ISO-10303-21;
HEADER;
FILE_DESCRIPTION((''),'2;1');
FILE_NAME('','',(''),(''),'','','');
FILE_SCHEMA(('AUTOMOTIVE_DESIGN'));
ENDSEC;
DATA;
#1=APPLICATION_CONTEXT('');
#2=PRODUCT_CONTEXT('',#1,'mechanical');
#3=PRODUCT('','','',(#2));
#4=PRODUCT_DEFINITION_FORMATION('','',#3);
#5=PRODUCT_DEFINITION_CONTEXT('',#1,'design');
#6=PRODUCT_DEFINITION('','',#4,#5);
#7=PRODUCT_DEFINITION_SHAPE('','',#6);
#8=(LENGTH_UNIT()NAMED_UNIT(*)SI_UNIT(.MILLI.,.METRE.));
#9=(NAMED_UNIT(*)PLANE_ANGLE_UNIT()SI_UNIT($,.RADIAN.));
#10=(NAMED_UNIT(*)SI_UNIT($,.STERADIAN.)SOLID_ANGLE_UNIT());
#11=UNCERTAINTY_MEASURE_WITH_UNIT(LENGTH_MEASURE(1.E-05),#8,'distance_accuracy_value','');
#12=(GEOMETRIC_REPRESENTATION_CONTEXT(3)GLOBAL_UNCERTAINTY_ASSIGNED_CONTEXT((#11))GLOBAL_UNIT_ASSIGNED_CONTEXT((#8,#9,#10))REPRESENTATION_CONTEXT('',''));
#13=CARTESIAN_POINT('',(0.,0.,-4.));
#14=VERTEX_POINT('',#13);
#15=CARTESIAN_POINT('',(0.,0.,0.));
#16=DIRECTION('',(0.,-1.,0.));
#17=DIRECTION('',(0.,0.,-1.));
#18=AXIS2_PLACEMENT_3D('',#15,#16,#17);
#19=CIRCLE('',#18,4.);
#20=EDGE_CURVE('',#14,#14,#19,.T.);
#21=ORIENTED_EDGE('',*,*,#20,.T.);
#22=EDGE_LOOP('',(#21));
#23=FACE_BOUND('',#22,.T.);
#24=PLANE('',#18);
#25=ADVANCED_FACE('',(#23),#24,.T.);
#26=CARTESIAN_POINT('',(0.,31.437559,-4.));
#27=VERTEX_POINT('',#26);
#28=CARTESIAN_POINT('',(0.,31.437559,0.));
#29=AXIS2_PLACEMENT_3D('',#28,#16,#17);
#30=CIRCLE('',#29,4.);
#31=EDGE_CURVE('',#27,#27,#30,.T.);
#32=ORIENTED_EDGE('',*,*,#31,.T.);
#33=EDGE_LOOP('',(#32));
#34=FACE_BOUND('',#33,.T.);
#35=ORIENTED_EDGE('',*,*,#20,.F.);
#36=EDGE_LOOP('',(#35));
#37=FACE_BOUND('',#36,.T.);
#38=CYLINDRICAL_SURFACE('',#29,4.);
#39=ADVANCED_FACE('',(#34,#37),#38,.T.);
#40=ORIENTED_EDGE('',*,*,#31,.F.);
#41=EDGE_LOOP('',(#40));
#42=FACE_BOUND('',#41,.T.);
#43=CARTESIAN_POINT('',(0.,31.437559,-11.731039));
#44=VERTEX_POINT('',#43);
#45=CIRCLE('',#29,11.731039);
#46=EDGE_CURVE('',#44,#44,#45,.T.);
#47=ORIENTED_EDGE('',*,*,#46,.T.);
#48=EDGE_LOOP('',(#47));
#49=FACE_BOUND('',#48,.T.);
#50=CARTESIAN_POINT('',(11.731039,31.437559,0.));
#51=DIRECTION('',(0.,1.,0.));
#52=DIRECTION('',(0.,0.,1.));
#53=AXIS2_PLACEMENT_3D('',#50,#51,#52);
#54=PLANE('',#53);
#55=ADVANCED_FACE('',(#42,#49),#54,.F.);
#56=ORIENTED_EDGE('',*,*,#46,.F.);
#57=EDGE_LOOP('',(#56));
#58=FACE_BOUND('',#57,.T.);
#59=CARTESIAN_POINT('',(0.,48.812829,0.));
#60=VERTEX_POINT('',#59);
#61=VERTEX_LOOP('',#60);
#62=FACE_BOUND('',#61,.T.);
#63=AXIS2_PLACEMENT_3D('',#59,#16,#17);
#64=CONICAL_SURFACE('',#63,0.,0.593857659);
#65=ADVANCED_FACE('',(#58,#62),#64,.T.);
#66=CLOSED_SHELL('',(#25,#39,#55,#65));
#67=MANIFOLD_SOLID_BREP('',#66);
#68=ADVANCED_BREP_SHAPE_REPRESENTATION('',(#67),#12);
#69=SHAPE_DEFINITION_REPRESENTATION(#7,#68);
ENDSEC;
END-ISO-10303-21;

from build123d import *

# Parameters (mm, degrees)
SKETCH4_W = 4
SKETCH4_H = 31.437558866


with BuildPart() as part:
    # Sketch4 → Revolve1 (revolve)
    with BuildSketch(Plane.XY, mode=Mode.PRIVATE) as revolve1_sk:
        Polygon((0, 48.812829131), (0, 31.437558866), (4, 31.437558866), (11.731038953, 31.437558866), align=None)
        with Locations((2, 15.718779433)):
            Rectangle(SKETCH4_W, SKETCH4_H)
    revolve(revolve1_sk.sketch.rotate(Axis((0, 31.437558866, 0), (0, 1, 0)), 90), axis=Axis((0, 31.437558866, 0), (0, 1, 0)))


solid = part.part
